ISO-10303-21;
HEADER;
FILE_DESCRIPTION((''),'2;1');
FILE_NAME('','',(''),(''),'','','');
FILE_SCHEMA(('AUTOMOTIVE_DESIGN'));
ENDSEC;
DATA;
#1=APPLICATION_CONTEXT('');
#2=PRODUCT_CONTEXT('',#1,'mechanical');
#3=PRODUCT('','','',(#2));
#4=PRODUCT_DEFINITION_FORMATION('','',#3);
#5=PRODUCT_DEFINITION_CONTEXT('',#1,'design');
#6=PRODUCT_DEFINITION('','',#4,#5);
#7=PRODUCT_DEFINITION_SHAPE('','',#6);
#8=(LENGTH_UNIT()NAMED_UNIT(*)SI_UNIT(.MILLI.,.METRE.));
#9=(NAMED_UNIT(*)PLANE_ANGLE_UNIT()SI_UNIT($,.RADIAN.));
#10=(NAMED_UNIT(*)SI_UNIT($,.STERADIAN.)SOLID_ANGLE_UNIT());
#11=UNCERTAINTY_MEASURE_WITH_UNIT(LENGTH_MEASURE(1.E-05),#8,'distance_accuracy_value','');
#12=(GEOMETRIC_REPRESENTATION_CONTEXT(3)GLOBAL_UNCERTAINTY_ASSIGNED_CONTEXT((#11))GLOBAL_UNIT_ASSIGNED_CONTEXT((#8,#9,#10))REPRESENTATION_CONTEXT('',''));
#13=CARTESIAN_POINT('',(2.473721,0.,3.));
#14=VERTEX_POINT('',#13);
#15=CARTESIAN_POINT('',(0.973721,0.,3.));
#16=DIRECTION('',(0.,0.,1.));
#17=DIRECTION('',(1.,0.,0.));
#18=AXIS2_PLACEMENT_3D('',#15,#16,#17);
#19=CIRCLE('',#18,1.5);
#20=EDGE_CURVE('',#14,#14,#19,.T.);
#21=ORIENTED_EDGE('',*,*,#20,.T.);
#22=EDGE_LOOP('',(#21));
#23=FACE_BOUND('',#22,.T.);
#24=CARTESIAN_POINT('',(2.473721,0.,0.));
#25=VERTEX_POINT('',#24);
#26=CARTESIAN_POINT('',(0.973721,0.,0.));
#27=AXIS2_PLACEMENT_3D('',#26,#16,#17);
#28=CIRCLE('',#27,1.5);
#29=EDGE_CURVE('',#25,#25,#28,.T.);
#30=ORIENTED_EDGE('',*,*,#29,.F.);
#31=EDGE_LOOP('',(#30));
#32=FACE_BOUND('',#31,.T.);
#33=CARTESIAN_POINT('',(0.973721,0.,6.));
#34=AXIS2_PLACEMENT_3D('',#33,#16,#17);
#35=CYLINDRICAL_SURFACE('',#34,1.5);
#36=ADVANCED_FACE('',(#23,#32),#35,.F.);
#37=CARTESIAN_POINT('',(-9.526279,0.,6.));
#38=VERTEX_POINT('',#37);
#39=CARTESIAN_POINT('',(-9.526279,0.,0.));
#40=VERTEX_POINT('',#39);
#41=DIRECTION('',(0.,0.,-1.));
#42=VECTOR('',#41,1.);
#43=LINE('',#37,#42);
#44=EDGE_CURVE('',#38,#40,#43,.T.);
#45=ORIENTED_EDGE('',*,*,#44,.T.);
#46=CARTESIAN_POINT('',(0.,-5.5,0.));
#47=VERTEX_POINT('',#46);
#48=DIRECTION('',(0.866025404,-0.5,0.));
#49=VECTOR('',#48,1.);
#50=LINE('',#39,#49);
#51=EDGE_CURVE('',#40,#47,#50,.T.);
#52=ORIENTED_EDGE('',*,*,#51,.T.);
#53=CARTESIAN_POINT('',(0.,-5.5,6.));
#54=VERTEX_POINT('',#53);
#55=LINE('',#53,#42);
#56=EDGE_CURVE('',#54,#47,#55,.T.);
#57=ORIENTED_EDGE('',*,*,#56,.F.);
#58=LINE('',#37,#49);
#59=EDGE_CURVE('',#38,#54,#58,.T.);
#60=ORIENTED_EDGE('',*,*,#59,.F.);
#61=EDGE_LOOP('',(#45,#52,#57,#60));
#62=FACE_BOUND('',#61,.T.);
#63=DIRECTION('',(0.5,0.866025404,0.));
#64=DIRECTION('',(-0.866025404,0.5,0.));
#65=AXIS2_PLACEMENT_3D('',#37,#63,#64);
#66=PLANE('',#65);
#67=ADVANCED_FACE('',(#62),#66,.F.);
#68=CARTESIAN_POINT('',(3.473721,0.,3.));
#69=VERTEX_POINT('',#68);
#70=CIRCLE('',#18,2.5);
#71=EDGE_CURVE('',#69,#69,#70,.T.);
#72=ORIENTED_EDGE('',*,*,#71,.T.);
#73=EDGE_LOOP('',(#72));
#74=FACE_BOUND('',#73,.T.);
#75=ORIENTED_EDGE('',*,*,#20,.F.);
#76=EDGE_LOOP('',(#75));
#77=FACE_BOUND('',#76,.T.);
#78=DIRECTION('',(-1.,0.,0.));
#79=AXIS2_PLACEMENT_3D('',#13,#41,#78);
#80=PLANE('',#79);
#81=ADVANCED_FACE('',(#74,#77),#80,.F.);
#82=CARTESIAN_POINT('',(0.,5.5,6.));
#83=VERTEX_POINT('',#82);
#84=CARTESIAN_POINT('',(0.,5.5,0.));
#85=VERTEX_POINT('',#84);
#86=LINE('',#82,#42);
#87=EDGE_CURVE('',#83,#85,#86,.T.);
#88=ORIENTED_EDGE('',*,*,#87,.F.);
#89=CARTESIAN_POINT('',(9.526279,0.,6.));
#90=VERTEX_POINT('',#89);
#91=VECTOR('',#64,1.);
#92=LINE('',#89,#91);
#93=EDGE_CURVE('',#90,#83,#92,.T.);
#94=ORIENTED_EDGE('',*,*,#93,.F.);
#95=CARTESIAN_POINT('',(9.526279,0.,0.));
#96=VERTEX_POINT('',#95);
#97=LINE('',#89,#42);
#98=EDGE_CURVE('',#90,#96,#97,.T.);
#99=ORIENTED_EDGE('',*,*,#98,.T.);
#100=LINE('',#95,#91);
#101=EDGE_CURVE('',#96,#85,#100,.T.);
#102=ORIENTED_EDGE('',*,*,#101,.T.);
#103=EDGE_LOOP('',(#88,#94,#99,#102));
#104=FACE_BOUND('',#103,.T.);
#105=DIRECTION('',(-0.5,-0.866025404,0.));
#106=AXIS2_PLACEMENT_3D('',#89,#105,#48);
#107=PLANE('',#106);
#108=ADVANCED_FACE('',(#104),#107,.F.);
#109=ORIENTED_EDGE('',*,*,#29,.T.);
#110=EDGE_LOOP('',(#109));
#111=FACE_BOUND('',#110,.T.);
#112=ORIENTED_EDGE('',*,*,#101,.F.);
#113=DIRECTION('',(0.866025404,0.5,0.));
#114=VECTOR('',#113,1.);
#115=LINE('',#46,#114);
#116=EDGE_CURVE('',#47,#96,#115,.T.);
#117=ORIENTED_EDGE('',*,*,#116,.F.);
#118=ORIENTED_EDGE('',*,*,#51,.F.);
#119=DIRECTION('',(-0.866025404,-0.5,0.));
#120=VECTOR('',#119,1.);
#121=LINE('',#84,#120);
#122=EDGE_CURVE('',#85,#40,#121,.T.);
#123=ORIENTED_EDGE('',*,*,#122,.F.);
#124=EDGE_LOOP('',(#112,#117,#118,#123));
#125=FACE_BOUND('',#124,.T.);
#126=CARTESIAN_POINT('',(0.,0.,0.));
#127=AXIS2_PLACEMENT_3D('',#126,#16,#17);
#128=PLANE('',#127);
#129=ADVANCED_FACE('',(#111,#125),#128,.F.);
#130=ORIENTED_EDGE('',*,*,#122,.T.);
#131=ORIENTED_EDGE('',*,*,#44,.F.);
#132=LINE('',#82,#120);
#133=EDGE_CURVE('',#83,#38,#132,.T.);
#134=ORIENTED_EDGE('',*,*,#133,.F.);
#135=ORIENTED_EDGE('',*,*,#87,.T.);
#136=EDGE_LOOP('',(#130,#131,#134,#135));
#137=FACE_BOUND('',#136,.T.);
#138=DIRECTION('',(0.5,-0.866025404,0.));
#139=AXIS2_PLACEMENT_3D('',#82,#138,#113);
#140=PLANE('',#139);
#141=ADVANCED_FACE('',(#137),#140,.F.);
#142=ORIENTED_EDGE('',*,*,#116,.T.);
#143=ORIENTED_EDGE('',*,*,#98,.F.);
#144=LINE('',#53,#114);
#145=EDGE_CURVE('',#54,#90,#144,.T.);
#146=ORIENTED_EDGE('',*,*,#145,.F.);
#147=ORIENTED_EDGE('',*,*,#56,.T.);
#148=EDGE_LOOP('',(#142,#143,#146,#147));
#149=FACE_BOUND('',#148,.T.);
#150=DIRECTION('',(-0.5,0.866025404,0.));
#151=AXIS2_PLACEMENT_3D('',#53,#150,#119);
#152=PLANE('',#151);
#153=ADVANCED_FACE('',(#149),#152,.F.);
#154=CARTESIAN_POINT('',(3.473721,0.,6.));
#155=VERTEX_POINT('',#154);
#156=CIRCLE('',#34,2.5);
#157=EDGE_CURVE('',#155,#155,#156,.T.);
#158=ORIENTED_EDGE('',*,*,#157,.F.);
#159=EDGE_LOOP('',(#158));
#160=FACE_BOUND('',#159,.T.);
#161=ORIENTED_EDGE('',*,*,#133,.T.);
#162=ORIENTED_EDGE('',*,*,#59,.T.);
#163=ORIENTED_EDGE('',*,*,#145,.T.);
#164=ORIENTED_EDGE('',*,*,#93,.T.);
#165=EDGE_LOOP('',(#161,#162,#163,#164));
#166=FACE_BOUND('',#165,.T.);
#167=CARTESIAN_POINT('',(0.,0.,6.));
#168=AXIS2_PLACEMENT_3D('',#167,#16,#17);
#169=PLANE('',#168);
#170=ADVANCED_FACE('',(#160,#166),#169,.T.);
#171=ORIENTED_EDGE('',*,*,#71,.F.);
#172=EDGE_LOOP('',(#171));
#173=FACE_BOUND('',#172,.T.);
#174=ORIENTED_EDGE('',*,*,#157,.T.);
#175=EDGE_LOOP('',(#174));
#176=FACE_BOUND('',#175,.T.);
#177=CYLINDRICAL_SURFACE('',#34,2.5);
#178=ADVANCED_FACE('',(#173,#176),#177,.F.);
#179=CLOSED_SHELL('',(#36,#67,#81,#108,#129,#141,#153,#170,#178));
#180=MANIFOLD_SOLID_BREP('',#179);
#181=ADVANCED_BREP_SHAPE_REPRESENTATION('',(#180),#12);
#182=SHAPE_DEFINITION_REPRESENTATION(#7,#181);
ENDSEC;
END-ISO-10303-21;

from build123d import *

# Parameters (mm, degrees)
EXTRUDE_1_DEPTH           = 6
HOLE_WIZARD_1_D           = 3
HOLE_WIZARD_1_DEPTH       = 6
HOLE_WIZARD_1_CBORE_D     = 5
HOLE_WIZARD_1_CBORE_DEPTH = 3


with BuildPart() as part:
    # 草图1 → 凸台-拉伸1 (new body)
    with BuildSketch(Plane.XY):
        Polygon((0, 5.5), (-9.526279442, 0), (0, -5.5), (9.526279442, 0), align=None)
    extrude(amount=EXTRUDE_1_DEPTH)

    # 孔1
    with Locations(Plane(origin=(0.973720558, 0, 6), x_dir=(1, 0, 0), z_dir=(0, 0, 1))):
        with Locations((0, 0)):
            CounterBoreHole(HOLE_WIZARD_1_D / 2, HOLE_WIZARD_1_CBORE_D / 2, HOLE_WIZARD_1_CBORE_DEPTH, depth=HOLE_WIZARD_1_DEPTH)


solid = part.part
